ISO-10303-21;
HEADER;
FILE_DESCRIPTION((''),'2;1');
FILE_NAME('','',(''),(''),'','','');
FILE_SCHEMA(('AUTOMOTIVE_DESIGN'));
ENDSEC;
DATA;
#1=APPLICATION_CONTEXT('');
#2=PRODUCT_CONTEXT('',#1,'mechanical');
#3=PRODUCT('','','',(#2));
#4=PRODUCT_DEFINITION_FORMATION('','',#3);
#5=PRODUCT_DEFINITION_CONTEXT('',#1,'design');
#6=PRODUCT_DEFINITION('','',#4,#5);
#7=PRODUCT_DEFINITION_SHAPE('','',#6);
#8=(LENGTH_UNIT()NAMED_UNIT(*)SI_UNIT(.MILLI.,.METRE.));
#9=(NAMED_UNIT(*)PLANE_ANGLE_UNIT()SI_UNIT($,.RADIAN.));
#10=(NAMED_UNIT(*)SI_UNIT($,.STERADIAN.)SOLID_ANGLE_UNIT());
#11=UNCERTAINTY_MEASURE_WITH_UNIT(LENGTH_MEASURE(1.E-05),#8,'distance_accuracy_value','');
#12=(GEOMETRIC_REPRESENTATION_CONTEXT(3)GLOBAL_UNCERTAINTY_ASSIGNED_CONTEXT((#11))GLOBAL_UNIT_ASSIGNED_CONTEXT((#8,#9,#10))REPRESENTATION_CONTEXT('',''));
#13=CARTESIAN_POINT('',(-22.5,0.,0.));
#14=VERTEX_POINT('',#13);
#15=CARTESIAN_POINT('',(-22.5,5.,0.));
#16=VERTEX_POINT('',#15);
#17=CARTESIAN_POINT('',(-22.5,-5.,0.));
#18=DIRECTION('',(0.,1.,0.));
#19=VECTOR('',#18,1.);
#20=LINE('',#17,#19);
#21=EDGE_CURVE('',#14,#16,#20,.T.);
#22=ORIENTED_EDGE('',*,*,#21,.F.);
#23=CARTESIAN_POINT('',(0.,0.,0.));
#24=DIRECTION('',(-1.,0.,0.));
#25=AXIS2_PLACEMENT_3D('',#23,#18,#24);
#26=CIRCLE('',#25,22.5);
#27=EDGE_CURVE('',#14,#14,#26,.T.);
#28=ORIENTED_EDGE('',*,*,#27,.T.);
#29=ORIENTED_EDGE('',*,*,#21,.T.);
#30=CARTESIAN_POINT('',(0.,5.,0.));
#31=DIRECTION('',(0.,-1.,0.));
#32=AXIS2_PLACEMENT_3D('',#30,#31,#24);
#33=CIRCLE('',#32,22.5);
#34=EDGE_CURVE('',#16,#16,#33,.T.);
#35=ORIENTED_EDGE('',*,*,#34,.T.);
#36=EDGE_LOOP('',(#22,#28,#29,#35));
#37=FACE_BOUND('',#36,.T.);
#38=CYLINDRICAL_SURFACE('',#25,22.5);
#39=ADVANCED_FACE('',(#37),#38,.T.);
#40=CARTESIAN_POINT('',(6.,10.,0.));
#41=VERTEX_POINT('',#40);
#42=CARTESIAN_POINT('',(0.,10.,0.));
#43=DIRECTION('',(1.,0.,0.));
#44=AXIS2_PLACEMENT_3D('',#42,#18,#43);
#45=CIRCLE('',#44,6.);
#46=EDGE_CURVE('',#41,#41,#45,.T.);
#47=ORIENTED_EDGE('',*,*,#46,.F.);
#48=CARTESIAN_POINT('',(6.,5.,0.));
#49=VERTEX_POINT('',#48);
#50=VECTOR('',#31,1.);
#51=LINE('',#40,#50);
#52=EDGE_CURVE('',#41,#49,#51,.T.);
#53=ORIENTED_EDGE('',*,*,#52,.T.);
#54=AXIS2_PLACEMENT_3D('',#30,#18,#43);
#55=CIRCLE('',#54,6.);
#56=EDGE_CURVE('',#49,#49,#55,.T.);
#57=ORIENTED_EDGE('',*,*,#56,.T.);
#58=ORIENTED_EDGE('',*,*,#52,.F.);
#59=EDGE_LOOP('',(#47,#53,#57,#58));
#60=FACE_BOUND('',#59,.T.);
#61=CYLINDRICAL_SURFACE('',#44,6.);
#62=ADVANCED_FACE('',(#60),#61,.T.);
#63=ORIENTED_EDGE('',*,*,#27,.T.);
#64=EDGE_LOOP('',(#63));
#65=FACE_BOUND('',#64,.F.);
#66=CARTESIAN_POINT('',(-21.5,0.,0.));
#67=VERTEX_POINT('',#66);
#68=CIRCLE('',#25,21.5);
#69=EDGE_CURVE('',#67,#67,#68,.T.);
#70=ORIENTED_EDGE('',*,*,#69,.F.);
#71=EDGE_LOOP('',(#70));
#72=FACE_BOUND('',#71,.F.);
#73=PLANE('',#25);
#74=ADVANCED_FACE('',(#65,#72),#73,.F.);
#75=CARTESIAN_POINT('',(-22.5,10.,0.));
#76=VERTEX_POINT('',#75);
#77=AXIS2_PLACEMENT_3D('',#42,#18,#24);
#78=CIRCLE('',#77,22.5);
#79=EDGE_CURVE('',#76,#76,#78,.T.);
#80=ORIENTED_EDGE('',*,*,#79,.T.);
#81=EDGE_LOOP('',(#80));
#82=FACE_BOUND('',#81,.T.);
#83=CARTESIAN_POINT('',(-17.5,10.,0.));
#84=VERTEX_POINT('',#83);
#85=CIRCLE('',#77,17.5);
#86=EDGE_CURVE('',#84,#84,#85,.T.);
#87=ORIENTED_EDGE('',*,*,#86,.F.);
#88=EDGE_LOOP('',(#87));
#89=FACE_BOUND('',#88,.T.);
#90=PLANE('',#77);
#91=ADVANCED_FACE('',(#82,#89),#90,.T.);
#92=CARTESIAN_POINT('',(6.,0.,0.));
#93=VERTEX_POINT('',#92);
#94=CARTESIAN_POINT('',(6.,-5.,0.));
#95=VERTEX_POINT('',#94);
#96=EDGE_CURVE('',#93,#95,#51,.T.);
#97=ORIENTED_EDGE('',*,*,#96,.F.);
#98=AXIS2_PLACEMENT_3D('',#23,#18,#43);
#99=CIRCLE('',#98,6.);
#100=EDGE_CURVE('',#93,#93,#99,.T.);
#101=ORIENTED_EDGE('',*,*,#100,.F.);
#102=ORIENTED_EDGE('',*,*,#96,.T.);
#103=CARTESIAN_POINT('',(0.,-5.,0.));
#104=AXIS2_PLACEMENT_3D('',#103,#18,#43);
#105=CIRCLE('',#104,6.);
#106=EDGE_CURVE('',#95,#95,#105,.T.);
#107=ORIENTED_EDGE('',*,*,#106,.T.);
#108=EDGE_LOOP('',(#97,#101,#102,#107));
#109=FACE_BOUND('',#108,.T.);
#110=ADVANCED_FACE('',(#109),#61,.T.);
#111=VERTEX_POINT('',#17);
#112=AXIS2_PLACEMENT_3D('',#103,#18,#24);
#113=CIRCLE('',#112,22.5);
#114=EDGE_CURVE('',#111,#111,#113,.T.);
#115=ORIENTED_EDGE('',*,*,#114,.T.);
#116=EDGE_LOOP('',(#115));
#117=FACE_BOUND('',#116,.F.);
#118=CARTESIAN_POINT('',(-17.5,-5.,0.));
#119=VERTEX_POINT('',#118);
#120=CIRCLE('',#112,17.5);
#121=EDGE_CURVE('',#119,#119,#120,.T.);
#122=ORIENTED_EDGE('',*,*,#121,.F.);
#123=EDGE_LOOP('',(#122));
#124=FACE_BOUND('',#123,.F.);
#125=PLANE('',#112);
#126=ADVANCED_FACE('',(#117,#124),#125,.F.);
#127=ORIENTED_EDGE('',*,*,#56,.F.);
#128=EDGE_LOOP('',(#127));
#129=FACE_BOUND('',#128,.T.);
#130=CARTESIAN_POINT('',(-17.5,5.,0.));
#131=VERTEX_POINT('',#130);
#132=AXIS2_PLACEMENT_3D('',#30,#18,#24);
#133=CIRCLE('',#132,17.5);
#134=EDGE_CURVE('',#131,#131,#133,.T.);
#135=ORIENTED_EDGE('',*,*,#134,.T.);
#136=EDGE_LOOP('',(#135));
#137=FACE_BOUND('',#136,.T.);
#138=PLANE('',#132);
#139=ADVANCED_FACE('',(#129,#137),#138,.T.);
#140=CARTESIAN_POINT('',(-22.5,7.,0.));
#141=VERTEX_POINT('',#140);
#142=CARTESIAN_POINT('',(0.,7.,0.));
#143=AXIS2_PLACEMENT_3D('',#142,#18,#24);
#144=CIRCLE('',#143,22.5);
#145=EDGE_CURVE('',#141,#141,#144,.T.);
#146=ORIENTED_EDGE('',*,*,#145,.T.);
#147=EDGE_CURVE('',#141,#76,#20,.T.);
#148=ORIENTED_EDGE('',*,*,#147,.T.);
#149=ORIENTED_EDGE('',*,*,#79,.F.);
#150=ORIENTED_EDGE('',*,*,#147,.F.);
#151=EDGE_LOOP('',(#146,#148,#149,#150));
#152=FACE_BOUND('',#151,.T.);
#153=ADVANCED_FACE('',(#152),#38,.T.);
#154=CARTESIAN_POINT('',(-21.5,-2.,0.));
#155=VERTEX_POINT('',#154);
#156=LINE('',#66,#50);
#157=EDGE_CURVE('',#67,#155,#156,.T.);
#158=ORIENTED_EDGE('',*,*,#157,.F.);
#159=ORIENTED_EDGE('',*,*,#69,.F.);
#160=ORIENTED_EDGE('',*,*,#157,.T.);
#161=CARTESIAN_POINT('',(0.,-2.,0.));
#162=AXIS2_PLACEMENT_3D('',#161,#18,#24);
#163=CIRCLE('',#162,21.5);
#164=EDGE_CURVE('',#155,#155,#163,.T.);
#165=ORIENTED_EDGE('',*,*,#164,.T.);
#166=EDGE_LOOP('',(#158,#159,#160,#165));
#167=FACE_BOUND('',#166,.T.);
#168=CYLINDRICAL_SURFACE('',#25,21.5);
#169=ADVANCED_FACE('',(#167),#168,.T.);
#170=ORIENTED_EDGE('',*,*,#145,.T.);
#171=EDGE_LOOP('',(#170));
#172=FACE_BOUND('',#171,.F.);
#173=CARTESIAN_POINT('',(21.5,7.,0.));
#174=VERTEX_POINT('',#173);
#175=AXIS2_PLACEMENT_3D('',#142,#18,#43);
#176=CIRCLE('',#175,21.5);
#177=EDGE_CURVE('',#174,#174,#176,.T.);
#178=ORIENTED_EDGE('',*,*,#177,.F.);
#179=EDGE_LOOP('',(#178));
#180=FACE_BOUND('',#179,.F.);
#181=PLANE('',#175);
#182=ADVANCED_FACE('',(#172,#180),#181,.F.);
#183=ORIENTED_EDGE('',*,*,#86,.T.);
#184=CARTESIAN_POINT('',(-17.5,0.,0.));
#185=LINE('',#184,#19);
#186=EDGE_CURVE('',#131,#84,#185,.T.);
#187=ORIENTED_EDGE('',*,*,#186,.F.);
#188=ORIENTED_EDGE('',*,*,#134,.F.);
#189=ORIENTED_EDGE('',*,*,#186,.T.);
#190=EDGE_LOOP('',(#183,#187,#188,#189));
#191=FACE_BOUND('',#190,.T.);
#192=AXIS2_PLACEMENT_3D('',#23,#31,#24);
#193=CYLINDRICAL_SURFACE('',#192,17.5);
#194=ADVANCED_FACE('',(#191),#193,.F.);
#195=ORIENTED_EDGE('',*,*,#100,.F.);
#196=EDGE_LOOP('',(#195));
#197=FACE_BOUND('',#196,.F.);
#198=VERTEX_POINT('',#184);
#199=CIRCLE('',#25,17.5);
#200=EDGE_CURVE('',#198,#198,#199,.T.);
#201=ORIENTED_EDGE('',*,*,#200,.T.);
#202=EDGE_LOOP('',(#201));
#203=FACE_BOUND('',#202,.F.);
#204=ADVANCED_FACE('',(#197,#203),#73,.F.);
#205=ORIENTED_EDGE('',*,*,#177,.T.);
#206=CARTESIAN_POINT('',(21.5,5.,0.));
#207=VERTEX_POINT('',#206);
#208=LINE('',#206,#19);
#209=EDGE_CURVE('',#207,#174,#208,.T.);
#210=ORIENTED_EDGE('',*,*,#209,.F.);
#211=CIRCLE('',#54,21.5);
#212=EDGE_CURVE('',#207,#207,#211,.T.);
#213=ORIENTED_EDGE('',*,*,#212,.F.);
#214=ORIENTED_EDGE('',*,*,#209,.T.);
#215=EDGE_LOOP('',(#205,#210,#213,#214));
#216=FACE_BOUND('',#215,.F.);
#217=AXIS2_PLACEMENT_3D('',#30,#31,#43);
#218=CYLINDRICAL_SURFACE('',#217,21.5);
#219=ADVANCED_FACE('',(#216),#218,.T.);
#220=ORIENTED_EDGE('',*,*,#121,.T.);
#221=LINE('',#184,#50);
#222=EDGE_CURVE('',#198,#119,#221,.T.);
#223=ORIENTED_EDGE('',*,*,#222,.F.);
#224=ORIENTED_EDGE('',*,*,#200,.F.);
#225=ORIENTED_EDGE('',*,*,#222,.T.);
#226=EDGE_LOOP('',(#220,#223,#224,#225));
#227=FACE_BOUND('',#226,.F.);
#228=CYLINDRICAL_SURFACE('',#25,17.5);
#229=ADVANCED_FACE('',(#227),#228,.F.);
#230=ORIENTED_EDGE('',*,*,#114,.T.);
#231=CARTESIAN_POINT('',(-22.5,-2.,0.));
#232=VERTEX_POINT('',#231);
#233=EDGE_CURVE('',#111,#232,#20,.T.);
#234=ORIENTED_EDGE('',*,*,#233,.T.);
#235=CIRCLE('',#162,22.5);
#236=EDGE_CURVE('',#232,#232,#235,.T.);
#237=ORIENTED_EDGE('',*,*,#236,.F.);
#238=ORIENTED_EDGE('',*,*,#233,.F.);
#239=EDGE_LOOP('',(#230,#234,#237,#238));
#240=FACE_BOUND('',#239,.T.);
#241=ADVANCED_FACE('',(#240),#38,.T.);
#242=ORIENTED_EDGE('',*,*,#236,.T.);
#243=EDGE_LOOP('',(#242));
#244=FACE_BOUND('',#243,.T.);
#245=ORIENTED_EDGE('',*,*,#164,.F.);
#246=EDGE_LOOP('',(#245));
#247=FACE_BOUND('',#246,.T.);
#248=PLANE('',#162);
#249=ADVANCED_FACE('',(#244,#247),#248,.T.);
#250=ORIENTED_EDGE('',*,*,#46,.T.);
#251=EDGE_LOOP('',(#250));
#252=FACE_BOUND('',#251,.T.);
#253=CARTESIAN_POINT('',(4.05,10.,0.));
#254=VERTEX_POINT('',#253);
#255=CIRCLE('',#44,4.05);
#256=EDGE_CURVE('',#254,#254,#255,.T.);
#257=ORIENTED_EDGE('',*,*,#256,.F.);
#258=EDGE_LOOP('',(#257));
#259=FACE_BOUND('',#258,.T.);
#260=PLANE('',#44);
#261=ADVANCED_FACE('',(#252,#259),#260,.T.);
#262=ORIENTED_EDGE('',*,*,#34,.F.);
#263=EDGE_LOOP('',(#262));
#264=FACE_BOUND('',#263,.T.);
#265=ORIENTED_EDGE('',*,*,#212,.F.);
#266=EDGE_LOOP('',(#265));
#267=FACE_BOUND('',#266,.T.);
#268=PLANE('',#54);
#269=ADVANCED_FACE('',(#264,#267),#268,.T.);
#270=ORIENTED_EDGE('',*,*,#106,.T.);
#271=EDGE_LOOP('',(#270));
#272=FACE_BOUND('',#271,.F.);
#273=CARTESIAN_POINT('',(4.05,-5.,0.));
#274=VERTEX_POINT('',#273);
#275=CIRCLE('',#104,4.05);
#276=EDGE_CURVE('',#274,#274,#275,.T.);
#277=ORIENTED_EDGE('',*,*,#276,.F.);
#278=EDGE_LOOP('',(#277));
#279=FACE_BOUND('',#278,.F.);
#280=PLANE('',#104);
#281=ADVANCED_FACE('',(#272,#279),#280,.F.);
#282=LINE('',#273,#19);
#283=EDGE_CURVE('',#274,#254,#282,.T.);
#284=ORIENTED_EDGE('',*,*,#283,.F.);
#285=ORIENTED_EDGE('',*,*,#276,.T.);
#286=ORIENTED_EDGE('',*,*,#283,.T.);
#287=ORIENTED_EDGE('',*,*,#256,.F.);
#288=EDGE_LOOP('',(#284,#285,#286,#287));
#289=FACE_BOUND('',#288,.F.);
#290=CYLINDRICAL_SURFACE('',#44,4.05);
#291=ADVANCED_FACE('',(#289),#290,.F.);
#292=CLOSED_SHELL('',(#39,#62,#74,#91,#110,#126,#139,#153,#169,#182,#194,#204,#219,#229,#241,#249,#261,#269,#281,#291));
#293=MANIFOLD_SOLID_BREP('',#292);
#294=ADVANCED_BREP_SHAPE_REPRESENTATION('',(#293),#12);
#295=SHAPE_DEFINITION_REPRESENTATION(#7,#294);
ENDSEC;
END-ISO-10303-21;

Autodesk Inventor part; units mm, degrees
ref_plane "YZ Plane" through (0, 0, 0) normal (1, 0, 0) x (0, 1, 0)
ref_plane "XZ Plane" through (0, 0, 0) normal (0, 1, 0) x (-1, 0, 0)
ref_plane "XY Plane" through (0, 0, 0) normal (0, 0, 1) x (1, 0, 0)
sketch "Sketch1" plane through (0, 0, 0) normal (0, 1, 0) x (-1, 0, 0)
  circle A0 centre (0, 0) radius 22.5
  circle A1 centre (0, 0) radius 2.55
  circle A2 centre (0, 0) radius 17.5
  circle A3 centre (0, 0) radius 21.5
  circle A4 centre (0, 0) radius 3.55
  dimension "d0" = 45
  dimension "d1" = 5.1
  dimension "d2" = 35
  dimension "d9" = 43
  dimension "d16" = 7.1
extrude "Extrusion1" add sketch "Sketch1" along normal blind 5 contours A2 | A4
extrude "Extrusion2" add sketch "Sketch1" along normal blind 10 contours A0 | A3
extrude "Extrusion3" add sketch "Sketch1" against normal blind 5 contours A0 | A3
extrude "Extrusion4" cut sketch "Sketch1" against normal blind 2 contours A0
sketch "Sketch2" plane through (0, 5, 0) normal (0, 1, 0) x (1, 0, 0)
  circle A0 centre (0, 0) radius 22.5
  circle A1 centre (0, 0) radius 21.5
  dimension "d12" = 45
  dimension "d13" = 43
extrude "Extrusion5" cut sketch "Sketch2" along normal blind 2
extrude "Extrusion6" add sketch "Sketch1" against normal blind 5 contours A4
extrude "Extrusion7" add sketch "Sketch1" along normal blind 10 contours A4
sketch "Sketch3" plane through (0, 10, 0) normal (0, 1, 0) x (1, 0, 0)
  circle A0 centre (0, 0) radius 4.05
  circle A1 centre (0, 0) radius 6
  dimension "d21" = 8.1
  dimension "d22" = 12
extrude "Extrusion8" add sketch "Sketch3" against normal blind 15
extrude "Extrusion9" cut sketch "Sketch3" against normal through all contours A0
properties part number "roller"
